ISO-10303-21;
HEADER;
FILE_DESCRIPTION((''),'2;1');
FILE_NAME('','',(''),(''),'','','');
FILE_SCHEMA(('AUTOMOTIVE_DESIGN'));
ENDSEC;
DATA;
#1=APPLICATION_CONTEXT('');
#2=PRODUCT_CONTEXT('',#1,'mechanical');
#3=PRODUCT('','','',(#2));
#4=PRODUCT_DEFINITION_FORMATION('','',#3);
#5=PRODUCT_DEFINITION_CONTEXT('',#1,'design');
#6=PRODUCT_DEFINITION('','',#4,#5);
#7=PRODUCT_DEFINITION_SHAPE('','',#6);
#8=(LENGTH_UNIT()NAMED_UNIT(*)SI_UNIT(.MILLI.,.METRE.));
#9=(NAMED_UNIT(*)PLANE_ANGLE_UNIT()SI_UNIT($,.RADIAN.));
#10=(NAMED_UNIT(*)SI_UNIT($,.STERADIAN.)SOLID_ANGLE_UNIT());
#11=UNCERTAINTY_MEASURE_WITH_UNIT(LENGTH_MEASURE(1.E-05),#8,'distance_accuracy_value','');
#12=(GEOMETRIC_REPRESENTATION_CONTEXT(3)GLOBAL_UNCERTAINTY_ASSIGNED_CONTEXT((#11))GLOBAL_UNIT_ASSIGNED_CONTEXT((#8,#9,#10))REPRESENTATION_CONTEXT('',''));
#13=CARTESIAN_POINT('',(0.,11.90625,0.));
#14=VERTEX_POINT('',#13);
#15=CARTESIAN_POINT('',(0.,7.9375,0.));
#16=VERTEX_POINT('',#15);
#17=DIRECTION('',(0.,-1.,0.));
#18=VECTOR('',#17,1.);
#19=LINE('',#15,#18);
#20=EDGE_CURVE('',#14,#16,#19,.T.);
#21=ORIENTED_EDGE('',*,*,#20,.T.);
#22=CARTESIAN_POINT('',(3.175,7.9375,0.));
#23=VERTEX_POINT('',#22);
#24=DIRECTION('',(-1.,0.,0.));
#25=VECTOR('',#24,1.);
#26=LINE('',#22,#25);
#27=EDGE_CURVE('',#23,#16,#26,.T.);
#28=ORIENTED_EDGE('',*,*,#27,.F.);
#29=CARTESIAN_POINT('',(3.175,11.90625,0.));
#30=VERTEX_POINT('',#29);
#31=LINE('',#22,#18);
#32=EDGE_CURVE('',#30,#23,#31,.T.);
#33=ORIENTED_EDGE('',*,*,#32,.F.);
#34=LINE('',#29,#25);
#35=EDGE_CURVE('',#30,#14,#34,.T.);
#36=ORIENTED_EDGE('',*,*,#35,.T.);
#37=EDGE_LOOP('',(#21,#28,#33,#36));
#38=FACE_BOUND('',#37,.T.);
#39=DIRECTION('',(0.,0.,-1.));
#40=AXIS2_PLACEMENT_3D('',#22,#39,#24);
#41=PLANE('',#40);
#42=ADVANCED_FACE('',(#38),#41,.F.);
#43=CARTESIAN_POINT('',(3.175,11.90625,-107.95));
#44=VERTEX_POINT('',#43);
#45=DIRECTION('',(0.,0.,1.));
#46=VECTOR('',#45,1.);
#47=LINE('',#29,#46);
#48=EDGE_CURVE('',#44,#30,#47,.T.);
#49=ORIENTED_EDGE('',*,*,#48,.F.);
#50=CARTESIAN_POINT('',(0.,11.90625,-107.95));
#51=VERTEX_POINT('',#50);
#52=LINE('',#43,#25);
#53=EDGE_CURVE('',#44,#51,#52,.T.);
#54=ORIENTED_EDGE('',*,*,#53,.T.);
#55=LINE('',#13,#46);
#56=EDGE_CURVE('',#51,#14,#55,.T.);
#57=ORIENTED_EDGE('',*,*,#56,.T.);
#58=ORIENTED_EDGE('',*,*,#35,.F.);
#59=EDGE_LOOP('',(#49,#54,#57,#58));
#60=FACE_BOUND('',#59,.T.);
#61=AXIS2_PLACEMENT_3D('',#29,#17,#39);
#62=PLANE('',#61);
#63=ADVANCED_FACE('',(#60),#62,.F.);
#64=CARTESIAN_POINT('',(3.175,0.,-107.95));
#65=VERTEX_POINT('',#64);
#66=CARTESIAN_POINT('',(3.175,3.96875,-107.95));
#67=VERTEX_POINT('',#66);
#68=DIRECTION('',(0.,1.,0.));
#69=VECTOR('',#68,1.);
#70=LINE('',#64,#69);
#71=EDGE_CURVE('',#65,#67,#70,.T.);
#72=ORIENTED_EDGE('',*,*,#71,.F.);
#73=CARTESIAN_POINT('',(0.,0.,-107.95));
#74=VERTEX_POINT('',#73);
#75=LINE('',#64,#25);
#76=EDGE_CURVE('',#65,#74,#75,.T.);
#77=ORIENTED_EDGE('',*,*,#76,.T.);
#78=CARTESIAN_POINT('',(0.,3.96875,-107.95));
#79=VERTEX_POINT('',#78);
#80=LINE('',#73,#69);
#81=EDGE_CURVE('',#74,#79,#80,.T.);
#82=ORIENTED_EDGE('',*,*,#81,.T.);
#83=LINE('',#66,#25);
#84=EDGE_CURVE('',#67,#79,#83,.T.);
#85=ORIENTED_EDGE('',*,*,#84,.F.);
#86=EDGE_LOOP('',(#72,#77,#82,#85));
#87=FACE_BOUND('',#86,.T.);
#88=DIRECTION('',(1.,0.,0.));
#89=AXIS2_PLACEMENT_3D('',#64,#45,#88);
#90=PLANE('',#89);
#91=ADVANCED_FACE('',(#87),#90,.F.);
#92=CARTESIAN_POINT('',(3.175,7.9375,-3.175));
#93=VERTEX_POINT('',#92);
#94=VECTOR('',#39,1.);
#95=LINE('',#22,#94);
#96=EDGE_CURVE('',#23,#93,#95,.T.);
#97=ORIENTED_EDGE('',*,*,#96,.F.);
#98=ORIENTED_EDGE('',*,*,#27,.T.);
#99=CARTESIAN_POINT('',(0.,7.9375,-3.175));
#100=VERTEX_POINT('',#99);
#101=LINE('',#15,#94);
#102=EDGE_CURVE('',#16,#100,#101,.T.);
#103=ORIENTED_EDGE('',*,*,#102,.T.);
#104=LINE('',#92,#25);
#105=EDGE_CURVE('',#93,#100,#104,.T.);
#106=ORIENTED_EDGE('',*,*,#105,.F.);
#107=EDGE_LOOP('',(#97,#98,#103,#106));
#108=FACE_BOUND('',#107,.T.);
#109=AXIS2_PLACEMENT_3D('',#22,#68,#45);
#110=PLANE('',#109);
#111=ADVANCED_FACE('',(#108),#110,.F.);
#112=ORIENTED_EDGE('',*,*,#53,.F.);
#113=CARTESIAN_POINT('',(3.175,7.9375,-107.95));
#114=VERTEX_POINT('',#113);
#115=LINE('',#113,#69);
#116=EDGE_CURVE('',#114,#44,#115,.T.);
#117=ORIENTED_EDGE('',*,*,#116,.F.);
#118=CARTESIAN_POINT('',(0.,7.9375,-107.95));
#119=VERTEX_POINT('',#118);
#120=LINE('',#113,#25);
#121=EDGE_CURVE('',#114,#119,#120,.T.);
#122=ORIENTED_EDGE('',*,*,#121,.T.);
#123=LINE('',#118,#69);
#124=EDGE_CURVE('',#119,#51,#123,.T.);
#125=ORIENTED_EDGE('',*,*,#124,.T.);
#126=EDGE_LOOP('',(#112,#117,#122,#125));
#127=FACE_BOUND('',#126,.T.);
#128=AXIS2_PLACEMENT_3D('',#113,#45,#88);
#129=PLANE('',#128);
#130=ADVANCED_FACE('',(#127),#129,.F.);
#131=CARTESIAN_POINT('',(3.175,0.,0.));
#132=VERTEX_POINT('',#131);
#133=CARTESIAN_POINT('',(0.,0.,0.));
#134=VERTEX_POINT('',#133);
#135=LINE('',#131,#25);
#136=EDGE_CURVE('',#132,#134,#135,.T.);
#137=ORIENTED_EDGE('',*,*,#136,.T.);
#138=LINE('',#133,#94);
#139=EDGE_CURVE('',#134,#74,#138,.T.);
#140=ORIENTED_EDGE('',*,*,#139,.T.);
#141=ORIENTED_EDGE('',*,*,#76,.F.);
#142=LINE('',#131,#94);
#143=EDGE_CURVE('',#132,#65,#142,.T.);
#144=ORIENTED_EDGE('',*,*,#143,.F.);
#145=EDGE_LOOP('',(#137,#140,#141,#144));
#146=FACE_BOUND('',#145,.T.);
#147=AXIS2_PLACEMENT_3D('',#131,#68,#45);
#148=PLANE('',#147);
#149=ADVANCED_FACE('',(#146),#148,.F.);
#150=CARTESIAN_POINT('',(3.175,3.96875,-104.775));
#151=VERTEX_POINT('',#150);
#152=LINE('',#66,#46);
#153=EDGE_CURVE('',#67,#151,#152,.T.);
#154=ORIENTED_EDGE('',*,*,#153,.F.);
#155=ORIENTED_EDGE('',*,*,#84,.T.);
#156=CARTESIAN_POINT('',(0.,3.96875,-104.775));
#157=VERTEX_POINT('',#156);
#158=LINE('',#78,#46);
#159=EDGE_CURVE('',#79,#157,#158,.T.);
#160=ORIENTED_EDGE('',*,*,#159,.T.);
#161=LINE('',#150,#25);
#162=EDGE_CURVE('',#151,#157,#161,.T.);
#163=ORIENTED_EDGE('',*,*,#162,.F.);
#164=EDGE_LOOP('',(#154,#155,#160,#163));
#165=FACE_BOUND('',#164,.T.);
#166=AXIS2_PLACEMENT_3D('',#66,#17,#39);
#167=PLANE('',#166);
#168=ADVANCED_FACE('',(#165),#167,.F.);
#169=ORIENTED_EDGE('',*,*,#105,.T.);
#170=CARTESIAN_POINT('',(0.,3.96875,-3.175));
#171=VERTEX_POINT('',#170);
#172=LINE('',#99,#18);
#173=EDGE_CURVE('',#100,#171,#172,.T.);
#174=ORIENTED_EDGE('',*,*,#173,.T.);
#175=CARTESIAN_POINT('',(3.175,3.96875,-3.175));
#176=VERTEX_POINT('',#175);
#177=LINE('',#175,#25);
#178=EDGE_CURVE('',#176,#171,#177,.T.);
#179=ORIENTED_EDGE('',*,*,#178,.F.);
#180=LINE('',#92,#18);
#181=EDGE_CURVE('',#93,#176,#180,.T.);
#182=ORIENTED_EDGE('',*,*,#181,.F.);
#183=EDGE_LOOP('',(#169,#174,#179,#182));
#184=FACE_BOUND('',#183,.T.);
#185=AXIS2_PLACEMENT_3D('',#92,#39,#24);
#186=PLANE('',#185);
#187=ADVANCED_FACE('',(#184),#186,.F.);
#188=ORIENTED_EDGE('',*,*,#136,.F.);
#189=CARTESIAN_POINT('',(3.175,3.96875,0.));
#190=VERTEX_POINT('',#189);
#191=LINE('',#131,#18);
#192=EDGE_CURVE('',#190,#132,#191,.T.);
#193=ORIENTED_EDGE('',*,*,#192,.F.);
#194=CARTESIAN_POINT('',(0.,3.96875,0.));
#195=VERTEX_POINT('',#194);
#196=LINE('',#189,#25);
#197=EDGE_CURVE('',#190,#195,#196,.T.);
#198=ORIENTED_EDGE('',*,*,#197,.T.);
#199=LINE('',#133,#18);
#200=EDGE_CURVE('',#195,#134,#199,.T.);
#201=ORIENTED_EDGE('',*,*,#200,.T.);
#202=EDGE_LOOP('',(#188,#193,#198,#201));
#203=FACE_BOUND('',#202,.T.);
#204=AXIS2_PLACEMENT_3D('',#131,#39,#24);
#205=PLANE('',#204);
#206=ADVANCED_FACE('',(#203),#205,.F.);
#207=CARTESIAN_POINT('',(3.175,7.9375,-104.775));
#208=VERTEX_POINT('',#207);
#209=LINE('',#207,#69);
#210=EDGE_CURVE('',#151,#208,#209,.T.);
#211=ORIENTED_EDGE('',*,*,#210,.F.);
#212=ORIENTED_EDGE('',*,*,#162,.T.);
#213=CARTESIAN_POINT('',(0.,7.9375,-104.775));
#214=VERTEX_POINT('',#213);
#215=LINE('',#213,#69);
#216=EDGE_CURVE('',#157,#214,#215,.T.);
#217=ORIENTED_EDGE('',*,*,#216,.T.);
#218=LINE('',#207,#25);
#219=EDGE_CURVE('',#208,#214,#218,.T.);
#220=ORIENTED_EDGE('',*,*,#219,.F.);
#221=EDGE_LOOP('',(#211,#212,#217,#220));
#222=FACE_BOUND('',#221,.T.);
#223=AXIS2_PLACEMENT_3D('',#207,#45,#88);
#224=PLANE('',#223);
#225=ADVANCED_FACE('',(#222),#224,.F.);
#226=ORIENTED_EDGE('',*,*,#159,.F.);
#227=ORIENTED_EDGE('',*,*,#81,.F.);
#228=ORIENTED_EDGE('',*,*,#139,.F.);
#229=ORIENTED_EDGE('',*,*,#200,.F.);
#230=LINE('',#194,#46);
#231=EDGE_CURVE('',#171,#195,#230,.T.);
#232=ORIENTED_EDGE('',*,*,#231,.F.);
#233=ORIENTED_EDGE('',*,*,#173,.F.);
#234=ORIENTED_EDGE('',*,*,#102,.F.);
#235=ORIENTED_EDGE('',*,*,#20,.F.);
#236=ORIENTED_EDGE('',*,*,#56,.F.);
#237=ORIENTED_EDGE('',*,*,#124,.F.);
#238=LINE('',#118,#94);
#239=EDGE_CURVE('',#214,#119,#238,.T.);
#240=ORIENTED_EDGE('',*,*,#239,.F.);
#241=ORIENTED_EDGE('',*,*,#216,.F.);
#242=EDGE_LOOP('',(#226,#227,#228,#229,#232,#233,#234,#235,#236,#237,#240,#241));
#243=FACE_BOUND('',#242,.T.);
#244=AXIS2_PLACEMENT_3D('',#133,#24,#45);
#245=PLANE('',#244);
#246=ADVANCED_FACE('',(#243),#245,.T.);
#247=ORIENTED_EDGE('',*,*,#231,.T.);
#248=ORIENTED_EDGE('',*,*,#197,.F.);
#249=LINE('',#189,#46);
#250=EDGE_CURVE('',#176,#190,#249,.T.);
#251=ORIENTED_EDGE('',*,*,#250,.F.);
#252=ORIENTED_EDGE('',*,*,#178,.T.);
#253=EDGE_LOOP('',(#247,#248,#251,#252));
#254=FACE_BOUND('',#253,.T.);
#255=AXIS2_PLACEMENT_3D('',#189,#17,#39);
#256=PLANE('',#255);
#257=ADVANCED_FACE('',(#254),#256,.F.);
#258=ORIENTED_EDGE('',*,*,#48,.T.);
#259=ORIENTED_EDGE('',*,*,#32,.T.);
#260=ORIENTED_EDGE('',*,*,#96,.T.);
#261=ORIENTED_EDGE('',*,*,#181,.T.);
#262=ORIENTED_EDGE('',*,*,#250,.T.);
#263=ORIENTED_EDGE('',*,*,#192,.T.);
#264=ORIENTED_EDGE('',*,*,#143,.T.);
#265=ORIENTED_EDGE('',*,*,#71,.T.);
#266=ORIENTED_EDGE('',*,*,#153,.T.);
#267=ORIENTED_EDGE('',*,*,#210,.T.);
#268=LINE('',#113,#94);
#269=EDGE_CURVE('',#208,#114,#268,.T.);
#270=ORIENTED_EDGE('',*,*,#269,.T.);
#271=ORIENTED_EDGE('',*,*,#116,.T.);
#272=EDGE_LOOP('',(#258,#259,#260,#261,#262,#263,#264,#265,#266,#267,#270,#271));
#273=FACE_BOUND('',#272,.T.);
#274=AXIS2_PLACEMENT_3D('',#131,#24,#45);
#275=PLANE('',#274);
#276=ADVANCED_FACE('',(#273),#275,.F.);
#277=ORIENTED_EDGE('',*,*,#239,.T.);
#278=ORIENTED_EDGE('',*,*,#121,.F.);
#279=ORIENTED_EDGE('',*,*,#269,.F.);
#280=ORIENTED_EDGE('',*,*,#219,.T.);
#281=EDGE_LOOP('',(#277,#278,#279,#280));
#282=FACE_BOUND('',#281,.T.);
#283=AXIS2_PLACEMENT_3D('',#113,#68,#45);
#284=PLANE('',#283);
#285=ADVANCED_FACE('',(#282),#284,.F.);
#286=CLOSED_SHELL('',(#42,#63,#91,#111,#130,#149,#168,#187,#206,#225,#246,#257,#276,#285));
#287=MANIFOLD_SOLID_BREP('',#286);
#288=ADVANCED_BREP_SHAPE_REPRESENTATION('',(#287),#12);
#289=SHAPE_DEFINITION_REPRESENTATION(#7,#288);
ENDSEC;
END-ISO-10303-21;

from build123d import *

# Parameters (mm, degrees)
BOSS_EXTRUDE1_DEPTH = 3.175


with BuildPart() as part:
    # Sketch1 → Boss-Extrude1 (new body)
    with BuildSketch(Plane(origin=(0, 0, 0), x_dir=(0, 0, -1), z_dir=(1, 0, 0))):
        Polygon((0, 7.9375), (0, 11.90625), (107.95, 11.90625), (107.95, 7.9375), (104.775, 7.9375), (104.775, 3.96875), (107.95, 3.96875), (107.95, 0), (0, 0), (0, 3.96875), (3.175, 3.96875), (3.175, 7.9375), align=None)
    extrude(amount=BOSS_EXTRUDE1_DEPTH)


solid = part.part
